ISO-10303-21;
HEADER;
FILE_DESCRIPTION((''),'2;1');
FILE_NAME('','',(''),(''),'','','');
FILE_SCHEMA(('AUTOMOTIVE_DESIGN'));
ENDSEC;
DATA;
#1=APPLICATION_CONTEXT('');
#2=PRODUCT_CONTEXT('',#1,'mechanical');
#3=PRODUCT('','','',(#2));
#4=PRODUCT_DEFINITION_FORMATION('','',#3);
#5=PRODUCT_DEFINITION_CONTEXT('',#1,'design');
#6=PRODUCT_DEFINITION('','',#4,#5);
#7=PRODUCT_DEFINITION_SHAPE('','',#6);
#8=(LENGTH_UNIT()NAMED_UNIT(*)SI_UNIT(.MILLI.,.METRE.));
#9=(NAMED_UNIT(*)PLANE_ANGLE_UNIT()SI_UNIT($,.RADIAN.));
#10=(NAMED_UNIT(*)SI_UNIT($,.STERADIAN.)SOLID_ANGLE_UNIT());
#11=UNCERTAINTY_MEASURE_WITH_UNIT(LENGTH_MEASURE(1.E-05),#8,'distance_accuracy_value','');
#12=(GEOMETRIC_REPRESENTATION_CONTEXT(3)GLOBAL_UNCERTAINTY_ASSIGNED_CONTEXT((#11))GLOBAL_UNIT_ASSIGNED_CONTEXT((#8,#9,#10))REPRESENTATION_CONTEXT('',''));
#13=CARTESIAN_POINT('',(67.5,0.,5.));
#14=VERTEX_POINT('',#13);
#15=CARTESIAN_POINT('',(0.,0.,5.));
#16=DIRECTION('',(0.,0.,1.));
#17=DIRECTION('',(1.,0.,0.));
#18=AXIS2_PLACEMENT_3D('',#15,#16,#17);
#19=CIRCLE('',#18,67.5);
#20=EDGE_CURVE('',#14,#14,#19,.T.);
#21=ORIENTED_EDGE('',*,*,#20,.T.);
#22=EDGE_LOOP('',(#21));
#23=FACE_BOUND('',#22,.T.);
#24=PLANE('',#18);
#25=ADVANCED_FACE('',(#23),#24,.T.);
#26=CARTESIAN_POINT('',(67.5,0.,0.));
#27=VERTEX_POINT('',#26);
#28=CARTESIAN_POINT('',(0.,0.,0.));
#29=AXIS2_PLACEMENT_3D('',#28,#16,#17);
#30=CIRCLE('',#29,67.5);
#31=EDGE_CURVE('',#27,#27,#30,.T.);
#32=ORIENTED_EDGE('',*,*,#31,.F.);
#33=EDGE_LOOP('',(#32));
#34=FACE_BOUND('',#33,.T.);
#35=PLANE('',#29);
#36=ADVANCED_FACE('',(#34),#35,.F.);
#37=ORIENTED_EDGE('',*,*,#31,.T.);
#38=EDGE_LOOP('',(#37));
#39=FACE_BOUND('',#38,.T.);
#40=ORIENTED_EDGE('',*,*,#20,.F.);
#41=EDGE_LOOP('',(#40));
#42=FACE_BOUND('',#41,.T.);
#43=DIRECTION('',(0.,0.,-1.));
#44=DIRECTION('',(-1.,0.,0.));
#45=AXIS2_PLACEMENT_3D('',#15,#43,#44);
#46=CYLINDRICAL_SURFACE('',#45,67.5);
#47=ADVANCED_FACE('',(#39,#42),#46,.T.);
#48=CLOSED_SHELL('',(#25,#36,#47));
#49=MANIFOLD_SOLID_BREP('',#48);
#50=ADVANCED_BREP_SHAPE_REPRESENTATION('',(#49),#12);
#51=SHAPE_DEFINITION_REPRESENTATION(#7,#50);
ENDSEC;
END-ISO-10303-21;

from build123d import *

# Parameters (mm, degrees)
CROQUIS1_R              = 67.5
SALIENTE_EXTRUIR1_DEPTH = 5


with BuildPart() as part:
    # Croquis1 → Saliente-Extruir1 (new body)
    with BuildSketch(Plane.XY):
        Circle(CROQUIS1_R)
    extrude(amount=SALIENTE_EXTRUIR1_DEPTH)


solid = part.part
